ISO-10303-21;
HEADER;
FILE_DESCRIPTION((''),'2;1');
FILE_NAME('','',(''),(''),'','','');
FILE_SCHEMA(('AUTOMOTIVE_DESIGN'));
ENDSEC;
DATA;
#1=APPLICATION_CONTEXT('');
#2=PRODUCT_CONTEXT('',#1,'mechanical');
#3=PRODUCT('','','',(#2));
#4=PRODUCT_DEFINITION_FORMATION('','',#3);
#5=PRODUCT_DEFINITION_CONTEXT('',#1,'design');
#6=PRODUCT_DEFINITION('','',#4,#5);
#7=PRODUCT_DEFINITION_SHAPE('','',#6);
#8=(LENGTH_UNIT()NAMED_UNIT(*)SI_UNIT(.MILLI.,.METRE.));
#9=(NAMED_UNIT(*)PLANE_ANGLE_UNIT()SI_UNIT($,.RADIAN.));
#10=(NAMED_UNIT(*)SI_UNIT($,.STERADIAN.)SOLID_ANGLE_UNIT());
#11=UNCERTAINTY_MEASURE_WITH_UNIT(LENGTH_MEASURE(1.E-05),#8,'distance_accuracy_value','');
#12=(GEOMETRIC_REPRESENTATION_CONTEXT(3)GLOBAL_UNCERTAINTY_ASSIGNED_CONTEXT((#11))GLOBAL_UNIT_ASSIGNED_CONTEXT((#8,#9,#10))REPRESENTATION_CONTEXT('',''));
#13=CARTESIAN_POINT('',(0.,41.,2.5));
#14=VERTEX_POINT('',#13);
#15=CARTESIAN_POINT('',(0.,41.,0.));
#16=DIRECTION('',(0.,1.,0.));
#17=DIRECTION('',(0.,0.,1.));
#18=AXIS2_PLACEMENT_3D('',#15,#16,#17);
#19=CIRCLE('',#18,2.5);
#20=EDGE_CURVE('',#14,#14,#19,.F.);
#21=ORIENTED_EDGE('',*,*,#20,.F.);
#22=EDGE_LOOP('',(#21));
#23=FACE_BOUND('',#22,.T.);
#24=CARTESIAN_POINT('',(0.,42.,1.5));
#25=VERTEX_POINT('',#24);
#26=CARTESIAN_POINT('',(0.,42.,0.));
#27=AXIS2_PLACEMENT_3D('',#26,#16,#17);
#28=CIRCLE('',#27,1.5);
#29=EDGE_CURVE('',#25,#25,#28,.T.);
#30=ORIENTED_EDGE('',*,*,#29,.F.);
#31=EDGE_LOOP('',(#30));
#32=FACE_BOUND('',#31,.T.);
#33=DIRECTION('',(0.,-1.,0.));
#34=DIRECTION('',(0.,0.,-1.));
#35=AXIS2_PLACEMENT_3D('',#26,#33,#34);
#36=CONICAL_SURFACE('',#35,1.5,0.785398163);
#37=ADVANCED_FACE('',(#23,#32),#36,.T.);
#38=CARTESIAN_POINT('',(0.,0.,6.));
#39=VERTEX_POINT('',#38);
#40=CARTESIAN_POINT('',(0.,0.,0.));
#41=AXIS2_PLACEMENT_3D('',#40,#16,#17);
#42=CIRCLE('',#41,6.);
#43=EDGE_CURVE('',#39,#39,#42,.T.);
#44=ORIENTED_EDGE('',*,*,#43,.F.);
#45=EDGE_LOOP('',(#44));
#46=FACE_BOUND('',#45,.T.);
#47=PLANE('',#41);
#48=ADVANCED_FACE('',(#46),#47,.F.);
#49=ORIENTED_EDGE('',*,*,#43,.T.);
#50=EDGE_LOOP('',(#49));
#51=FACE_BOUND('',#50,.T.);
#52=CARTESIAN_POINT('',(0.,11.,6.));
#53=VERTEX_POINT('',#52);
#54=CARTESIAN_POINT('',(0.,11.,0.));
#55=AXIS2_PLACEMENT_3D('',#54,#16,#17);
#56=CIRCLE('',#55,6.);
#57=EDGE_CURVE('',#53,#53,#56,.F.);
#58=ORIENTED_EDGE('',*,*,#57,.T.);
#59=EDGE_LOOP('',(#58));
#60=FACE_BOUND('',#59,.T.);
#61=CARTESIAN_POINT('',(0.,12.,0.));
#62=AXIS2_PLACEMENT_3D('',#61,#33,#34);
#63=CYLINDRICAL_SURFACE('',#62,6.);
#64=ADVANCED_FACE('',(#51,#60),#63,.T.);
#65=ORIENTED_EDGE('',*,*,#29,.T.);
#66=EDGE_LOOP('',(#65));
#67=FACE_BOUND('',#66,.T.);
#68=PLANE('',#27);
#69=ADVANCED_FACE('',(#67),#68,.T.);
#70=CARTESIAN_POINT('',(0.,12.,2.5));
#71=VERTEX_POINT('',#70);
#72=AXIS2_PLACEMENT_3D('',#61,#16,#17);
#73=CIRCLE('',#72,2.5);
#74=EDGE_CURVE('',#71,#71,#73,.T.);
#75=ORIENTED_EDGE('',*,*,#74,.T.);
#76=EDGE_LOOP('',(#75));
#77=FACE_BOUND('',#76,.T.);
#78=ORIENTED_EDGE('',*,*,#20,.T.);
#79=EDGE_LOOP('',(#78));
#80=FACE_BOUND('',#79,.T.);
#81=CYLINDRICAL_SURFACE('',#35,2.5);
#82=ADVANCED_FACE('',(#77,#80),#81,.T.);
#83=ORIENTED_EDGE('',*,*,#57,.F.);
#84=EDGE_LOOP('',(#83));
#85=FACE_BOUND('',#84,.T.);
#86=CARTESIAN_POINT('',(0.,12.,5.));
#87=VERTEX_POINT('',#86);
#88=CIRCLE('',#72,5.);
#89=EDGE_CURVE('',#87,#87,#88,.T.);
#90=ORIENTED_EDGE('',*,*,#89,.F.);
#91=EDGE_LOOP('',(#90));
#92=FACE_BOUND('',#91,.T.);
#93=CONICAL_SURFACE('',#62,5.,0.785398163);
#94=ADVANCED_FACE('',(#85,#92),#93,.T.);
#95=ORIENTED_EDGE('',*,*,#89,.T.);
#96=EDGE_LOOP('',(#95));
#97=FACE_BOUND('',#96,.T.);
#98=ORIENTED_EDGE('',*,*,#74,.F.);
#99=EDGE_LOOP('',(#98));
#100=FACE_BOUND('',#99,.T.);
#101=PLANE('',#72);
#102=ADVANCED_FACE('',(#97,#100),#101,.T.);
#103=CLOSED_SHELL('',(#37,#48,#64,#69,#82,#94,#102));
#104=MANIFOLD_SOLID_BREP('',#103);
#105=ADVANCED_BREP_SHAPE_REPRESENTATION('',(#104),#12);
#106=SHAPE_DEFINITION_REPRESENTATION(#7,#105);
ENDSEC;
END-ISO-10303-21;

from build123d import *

# Parameters (mm, degrees)
SKETCH_1_R      = 6
EXTRUDE_1_DEPTH = 12
SKETCH_2_R      = 2.5
EXTRUDE_2_DEPTH = 30
CHAMFER_1_SIZE  = 1


with BuildPart() as part:
    # Эскиз1 → Вытянуть1 (new body)
    with BuildSketch(Plane(origin=(0, 0, 0), x_dir=(1, 0, 0), z_dir=(0, 1, 0))):
        with Locations(Location((0, 0, 0), (0, 0, 270))):
            Circle(SKETCH_1_R)
    extrude(amount=EXTRUDE_1_DEPTH)

    # Эскиз2 → Вытянуть2 (add)
    with BuildSketch(Plane(origin=(0, 12, 0), x_dir=(1, 0, 0), z_dir=(0, 1, 0))):
        with Locations(Location((0, 0, 0), (0, 0, 270))):
            Circle(SKETCH_2_R)
    extrude(amount=EXTRUDE_2_DEPTH)

    # Фаска1
    chamfer_1_edges = [part.edges().sort_by_distance(p)[0] for p in [
        (0, 12, -6),
        (0, 42, -2.5),
    ]]
    chamfer(chamfer_1_edges, length=CHAMFER_1_SIZE)


solid = part.part
